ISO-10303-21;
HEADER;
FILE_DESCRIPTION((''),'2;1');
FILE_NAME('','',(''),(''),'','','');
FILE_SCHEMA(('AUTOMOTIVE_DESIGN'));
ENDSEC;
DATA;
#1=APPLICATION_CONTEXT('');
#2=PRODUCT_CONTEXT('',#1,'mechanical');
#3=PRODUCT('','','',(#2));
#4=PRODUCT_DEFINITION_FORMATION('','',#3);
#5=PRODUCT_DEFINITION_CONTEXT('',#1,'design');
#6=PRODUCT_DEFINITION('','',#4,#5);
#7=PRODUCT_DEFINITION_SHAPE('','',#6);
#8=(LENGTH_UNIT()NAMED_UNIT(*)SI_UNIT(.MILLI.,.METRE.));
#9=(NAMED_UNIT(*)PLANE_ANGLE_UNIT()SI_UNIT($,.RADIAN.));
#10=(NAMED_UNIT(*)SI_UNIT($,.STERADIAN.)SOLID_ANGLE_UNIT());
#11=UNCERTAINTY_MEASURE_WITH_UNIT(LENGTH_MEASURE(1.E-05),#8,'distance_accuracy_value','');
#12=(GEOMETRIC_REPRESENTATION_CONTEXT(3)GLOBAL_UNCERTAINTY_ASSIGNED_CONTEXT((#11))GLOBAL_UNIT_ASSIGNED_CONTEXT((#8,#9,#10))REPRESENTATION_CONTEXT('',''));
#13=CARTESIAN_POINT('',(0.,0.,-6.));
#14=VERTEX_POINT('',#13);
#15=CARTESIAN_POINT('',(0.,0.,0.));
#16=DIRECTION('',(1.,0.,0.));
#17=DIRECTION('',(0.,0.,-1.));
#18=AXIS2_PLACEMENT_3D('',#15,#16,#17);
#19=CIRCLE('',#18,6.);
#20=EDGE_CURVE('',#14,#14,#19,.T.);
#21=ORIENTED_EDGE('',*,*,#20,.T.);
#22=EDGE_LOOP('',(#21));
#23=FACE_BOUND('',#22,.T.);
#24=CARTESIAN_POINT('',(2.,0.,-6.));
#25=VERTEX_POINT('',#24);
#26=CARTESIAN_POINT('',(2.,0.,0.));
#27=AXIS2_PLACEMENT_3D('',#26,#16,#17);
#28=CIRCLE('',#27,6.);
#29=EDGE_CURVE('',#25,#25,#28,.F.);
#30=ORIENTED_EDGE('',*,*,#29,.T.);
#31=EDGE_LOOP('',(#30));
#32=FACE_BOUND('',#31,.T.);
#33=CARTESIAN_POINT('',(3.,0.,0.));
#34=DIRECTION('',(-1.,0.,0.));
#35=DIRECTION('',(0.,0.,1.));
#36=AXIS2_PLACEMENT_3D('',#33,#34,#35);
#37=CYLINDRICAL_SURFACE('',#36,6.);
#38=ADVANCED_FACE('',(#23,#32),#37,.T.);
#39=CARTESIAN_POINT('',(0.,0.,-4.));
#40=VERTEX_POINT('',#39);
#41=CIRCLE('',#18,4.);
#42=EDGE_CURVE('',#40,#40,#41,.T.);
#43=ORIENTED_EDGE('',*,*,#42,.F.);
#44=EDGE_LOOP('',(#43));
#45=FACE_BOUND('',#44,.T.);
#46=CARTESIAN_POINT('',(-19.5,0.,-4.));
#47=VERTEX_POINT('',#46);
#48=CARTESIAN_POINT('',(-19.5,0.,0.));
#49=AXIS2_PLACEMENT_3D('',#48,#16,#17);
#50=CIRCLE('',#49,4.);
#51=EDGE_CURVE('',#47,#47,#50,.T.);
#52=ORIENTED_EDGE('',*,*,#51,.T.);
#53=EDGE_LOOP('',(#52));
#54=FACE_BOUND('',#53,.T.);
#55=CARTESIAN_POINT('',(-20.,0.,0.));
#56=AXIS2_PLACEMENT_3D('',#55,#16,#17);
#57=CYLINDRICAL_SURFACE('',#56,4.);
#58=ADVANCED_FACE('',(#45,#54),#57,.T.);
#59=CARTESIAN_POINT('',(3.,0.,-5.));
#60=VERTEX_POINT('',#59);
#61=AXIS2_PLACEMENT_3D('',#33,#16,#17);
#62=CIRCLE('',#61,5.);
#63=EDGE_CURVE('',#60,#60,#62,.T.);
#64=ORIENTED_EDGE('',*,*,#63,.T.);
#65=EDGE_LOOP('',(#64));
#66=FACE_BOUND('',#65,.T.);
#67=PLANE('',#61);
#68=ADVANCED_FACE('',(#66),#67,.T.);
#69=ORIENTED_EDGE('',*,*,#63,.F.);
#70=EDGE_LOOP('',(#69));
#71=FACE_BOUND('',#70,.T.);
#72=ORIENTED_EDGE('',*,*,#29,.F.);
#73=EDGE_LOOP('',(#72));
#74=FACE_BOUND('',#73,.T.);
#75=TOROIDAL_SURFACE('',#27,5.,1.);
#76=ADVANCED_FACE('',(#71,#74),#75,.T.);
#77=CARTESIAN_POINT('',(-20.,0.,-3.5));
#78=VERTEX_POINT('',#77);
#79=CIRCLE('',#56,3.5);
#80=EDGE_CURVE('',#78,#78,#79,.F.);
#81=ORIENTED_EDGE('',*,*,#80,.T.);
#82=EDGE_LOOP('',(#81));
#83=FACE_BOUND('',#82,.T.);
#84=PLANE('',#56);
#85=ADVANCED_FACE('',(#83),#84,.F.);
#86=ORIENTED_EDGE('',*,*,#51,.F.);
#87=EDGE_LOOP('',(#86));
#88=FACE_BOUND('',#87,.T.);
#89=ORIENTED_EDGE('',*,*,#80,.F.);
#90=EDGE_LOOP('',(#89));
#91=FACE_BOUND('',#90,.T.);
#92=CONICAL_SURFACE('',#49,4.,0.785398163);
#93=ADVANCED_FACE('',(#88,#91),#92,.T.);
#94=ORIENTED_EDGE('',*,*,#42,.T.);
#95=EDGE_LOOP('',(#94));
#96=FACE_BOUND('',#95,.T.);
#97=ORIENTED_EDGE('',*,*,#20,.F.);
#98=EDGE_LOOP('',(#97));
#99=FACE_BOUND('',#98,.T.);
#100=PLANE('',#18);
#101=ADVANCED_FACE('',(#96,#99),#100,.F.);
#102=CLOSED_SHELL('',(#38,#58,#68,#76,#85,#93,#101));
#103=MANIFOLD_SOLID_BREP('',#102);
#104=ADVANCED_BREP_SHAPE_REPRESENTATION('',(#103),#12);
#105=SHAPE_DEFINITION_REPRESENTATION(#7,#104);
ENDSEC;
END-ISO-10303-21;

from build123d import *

# Parameters (mm, degrees)
SKETCH1_R           = 6
SKETCH1_R_2         = 4
BOSS_EXTRUDE1_DEPTH = 3
BOSS_EXTRUDE2_START = -23
SKETCH2_R           = 4
BOSS_EXTRUDE2_DEPTH = 23
FILLET1_R           = 1
CHAMFER1_SIZE       = 0.5


with BuildPart() as part:
    # Sketch1 → Boss-Extrude1 (new body)
    with BuildSketch(Plane(origin=(0, 0, 0), x_dir=(0, 0, -1), z_dir=(1, 0, 0))):
        Circle(SKETCH1_R)
        Circle(SKETCH1_R_2, mode=Mode.SUBTRACT)
    extrude(amount=BOSS_EXTRUDE1_DEPTH)

    # Sketch2 → Boss-Extrude2 (add)
    with BuildSketch(Plane(origin=(3, 0, 0), x_dir=(0, 0, -1), z_dir=(1, 0, 0)).offset(BOSS_EXTRUDE2_START)):
        Circle(SKETCH2_R)
    extrude(amount=BOSS_EXTRUDE2_DEPTH)

    # Fillet1
    fillet1_edges = [part.edges().sort_by_distance(p)[0] for p in [
        (3, 0, 6),
    ]]
    fillet(fillet1_edges, radius=FILLET1_R)

    # Chamfer1
    chamfer1_edges = [part.edges().sort_by_distance(p)[0] for p in [
        (-20, 0, 4),
    ]]
    chamfer(chamfer1_edges, length=CHAMFER1_SIZE)


solid = part.part
